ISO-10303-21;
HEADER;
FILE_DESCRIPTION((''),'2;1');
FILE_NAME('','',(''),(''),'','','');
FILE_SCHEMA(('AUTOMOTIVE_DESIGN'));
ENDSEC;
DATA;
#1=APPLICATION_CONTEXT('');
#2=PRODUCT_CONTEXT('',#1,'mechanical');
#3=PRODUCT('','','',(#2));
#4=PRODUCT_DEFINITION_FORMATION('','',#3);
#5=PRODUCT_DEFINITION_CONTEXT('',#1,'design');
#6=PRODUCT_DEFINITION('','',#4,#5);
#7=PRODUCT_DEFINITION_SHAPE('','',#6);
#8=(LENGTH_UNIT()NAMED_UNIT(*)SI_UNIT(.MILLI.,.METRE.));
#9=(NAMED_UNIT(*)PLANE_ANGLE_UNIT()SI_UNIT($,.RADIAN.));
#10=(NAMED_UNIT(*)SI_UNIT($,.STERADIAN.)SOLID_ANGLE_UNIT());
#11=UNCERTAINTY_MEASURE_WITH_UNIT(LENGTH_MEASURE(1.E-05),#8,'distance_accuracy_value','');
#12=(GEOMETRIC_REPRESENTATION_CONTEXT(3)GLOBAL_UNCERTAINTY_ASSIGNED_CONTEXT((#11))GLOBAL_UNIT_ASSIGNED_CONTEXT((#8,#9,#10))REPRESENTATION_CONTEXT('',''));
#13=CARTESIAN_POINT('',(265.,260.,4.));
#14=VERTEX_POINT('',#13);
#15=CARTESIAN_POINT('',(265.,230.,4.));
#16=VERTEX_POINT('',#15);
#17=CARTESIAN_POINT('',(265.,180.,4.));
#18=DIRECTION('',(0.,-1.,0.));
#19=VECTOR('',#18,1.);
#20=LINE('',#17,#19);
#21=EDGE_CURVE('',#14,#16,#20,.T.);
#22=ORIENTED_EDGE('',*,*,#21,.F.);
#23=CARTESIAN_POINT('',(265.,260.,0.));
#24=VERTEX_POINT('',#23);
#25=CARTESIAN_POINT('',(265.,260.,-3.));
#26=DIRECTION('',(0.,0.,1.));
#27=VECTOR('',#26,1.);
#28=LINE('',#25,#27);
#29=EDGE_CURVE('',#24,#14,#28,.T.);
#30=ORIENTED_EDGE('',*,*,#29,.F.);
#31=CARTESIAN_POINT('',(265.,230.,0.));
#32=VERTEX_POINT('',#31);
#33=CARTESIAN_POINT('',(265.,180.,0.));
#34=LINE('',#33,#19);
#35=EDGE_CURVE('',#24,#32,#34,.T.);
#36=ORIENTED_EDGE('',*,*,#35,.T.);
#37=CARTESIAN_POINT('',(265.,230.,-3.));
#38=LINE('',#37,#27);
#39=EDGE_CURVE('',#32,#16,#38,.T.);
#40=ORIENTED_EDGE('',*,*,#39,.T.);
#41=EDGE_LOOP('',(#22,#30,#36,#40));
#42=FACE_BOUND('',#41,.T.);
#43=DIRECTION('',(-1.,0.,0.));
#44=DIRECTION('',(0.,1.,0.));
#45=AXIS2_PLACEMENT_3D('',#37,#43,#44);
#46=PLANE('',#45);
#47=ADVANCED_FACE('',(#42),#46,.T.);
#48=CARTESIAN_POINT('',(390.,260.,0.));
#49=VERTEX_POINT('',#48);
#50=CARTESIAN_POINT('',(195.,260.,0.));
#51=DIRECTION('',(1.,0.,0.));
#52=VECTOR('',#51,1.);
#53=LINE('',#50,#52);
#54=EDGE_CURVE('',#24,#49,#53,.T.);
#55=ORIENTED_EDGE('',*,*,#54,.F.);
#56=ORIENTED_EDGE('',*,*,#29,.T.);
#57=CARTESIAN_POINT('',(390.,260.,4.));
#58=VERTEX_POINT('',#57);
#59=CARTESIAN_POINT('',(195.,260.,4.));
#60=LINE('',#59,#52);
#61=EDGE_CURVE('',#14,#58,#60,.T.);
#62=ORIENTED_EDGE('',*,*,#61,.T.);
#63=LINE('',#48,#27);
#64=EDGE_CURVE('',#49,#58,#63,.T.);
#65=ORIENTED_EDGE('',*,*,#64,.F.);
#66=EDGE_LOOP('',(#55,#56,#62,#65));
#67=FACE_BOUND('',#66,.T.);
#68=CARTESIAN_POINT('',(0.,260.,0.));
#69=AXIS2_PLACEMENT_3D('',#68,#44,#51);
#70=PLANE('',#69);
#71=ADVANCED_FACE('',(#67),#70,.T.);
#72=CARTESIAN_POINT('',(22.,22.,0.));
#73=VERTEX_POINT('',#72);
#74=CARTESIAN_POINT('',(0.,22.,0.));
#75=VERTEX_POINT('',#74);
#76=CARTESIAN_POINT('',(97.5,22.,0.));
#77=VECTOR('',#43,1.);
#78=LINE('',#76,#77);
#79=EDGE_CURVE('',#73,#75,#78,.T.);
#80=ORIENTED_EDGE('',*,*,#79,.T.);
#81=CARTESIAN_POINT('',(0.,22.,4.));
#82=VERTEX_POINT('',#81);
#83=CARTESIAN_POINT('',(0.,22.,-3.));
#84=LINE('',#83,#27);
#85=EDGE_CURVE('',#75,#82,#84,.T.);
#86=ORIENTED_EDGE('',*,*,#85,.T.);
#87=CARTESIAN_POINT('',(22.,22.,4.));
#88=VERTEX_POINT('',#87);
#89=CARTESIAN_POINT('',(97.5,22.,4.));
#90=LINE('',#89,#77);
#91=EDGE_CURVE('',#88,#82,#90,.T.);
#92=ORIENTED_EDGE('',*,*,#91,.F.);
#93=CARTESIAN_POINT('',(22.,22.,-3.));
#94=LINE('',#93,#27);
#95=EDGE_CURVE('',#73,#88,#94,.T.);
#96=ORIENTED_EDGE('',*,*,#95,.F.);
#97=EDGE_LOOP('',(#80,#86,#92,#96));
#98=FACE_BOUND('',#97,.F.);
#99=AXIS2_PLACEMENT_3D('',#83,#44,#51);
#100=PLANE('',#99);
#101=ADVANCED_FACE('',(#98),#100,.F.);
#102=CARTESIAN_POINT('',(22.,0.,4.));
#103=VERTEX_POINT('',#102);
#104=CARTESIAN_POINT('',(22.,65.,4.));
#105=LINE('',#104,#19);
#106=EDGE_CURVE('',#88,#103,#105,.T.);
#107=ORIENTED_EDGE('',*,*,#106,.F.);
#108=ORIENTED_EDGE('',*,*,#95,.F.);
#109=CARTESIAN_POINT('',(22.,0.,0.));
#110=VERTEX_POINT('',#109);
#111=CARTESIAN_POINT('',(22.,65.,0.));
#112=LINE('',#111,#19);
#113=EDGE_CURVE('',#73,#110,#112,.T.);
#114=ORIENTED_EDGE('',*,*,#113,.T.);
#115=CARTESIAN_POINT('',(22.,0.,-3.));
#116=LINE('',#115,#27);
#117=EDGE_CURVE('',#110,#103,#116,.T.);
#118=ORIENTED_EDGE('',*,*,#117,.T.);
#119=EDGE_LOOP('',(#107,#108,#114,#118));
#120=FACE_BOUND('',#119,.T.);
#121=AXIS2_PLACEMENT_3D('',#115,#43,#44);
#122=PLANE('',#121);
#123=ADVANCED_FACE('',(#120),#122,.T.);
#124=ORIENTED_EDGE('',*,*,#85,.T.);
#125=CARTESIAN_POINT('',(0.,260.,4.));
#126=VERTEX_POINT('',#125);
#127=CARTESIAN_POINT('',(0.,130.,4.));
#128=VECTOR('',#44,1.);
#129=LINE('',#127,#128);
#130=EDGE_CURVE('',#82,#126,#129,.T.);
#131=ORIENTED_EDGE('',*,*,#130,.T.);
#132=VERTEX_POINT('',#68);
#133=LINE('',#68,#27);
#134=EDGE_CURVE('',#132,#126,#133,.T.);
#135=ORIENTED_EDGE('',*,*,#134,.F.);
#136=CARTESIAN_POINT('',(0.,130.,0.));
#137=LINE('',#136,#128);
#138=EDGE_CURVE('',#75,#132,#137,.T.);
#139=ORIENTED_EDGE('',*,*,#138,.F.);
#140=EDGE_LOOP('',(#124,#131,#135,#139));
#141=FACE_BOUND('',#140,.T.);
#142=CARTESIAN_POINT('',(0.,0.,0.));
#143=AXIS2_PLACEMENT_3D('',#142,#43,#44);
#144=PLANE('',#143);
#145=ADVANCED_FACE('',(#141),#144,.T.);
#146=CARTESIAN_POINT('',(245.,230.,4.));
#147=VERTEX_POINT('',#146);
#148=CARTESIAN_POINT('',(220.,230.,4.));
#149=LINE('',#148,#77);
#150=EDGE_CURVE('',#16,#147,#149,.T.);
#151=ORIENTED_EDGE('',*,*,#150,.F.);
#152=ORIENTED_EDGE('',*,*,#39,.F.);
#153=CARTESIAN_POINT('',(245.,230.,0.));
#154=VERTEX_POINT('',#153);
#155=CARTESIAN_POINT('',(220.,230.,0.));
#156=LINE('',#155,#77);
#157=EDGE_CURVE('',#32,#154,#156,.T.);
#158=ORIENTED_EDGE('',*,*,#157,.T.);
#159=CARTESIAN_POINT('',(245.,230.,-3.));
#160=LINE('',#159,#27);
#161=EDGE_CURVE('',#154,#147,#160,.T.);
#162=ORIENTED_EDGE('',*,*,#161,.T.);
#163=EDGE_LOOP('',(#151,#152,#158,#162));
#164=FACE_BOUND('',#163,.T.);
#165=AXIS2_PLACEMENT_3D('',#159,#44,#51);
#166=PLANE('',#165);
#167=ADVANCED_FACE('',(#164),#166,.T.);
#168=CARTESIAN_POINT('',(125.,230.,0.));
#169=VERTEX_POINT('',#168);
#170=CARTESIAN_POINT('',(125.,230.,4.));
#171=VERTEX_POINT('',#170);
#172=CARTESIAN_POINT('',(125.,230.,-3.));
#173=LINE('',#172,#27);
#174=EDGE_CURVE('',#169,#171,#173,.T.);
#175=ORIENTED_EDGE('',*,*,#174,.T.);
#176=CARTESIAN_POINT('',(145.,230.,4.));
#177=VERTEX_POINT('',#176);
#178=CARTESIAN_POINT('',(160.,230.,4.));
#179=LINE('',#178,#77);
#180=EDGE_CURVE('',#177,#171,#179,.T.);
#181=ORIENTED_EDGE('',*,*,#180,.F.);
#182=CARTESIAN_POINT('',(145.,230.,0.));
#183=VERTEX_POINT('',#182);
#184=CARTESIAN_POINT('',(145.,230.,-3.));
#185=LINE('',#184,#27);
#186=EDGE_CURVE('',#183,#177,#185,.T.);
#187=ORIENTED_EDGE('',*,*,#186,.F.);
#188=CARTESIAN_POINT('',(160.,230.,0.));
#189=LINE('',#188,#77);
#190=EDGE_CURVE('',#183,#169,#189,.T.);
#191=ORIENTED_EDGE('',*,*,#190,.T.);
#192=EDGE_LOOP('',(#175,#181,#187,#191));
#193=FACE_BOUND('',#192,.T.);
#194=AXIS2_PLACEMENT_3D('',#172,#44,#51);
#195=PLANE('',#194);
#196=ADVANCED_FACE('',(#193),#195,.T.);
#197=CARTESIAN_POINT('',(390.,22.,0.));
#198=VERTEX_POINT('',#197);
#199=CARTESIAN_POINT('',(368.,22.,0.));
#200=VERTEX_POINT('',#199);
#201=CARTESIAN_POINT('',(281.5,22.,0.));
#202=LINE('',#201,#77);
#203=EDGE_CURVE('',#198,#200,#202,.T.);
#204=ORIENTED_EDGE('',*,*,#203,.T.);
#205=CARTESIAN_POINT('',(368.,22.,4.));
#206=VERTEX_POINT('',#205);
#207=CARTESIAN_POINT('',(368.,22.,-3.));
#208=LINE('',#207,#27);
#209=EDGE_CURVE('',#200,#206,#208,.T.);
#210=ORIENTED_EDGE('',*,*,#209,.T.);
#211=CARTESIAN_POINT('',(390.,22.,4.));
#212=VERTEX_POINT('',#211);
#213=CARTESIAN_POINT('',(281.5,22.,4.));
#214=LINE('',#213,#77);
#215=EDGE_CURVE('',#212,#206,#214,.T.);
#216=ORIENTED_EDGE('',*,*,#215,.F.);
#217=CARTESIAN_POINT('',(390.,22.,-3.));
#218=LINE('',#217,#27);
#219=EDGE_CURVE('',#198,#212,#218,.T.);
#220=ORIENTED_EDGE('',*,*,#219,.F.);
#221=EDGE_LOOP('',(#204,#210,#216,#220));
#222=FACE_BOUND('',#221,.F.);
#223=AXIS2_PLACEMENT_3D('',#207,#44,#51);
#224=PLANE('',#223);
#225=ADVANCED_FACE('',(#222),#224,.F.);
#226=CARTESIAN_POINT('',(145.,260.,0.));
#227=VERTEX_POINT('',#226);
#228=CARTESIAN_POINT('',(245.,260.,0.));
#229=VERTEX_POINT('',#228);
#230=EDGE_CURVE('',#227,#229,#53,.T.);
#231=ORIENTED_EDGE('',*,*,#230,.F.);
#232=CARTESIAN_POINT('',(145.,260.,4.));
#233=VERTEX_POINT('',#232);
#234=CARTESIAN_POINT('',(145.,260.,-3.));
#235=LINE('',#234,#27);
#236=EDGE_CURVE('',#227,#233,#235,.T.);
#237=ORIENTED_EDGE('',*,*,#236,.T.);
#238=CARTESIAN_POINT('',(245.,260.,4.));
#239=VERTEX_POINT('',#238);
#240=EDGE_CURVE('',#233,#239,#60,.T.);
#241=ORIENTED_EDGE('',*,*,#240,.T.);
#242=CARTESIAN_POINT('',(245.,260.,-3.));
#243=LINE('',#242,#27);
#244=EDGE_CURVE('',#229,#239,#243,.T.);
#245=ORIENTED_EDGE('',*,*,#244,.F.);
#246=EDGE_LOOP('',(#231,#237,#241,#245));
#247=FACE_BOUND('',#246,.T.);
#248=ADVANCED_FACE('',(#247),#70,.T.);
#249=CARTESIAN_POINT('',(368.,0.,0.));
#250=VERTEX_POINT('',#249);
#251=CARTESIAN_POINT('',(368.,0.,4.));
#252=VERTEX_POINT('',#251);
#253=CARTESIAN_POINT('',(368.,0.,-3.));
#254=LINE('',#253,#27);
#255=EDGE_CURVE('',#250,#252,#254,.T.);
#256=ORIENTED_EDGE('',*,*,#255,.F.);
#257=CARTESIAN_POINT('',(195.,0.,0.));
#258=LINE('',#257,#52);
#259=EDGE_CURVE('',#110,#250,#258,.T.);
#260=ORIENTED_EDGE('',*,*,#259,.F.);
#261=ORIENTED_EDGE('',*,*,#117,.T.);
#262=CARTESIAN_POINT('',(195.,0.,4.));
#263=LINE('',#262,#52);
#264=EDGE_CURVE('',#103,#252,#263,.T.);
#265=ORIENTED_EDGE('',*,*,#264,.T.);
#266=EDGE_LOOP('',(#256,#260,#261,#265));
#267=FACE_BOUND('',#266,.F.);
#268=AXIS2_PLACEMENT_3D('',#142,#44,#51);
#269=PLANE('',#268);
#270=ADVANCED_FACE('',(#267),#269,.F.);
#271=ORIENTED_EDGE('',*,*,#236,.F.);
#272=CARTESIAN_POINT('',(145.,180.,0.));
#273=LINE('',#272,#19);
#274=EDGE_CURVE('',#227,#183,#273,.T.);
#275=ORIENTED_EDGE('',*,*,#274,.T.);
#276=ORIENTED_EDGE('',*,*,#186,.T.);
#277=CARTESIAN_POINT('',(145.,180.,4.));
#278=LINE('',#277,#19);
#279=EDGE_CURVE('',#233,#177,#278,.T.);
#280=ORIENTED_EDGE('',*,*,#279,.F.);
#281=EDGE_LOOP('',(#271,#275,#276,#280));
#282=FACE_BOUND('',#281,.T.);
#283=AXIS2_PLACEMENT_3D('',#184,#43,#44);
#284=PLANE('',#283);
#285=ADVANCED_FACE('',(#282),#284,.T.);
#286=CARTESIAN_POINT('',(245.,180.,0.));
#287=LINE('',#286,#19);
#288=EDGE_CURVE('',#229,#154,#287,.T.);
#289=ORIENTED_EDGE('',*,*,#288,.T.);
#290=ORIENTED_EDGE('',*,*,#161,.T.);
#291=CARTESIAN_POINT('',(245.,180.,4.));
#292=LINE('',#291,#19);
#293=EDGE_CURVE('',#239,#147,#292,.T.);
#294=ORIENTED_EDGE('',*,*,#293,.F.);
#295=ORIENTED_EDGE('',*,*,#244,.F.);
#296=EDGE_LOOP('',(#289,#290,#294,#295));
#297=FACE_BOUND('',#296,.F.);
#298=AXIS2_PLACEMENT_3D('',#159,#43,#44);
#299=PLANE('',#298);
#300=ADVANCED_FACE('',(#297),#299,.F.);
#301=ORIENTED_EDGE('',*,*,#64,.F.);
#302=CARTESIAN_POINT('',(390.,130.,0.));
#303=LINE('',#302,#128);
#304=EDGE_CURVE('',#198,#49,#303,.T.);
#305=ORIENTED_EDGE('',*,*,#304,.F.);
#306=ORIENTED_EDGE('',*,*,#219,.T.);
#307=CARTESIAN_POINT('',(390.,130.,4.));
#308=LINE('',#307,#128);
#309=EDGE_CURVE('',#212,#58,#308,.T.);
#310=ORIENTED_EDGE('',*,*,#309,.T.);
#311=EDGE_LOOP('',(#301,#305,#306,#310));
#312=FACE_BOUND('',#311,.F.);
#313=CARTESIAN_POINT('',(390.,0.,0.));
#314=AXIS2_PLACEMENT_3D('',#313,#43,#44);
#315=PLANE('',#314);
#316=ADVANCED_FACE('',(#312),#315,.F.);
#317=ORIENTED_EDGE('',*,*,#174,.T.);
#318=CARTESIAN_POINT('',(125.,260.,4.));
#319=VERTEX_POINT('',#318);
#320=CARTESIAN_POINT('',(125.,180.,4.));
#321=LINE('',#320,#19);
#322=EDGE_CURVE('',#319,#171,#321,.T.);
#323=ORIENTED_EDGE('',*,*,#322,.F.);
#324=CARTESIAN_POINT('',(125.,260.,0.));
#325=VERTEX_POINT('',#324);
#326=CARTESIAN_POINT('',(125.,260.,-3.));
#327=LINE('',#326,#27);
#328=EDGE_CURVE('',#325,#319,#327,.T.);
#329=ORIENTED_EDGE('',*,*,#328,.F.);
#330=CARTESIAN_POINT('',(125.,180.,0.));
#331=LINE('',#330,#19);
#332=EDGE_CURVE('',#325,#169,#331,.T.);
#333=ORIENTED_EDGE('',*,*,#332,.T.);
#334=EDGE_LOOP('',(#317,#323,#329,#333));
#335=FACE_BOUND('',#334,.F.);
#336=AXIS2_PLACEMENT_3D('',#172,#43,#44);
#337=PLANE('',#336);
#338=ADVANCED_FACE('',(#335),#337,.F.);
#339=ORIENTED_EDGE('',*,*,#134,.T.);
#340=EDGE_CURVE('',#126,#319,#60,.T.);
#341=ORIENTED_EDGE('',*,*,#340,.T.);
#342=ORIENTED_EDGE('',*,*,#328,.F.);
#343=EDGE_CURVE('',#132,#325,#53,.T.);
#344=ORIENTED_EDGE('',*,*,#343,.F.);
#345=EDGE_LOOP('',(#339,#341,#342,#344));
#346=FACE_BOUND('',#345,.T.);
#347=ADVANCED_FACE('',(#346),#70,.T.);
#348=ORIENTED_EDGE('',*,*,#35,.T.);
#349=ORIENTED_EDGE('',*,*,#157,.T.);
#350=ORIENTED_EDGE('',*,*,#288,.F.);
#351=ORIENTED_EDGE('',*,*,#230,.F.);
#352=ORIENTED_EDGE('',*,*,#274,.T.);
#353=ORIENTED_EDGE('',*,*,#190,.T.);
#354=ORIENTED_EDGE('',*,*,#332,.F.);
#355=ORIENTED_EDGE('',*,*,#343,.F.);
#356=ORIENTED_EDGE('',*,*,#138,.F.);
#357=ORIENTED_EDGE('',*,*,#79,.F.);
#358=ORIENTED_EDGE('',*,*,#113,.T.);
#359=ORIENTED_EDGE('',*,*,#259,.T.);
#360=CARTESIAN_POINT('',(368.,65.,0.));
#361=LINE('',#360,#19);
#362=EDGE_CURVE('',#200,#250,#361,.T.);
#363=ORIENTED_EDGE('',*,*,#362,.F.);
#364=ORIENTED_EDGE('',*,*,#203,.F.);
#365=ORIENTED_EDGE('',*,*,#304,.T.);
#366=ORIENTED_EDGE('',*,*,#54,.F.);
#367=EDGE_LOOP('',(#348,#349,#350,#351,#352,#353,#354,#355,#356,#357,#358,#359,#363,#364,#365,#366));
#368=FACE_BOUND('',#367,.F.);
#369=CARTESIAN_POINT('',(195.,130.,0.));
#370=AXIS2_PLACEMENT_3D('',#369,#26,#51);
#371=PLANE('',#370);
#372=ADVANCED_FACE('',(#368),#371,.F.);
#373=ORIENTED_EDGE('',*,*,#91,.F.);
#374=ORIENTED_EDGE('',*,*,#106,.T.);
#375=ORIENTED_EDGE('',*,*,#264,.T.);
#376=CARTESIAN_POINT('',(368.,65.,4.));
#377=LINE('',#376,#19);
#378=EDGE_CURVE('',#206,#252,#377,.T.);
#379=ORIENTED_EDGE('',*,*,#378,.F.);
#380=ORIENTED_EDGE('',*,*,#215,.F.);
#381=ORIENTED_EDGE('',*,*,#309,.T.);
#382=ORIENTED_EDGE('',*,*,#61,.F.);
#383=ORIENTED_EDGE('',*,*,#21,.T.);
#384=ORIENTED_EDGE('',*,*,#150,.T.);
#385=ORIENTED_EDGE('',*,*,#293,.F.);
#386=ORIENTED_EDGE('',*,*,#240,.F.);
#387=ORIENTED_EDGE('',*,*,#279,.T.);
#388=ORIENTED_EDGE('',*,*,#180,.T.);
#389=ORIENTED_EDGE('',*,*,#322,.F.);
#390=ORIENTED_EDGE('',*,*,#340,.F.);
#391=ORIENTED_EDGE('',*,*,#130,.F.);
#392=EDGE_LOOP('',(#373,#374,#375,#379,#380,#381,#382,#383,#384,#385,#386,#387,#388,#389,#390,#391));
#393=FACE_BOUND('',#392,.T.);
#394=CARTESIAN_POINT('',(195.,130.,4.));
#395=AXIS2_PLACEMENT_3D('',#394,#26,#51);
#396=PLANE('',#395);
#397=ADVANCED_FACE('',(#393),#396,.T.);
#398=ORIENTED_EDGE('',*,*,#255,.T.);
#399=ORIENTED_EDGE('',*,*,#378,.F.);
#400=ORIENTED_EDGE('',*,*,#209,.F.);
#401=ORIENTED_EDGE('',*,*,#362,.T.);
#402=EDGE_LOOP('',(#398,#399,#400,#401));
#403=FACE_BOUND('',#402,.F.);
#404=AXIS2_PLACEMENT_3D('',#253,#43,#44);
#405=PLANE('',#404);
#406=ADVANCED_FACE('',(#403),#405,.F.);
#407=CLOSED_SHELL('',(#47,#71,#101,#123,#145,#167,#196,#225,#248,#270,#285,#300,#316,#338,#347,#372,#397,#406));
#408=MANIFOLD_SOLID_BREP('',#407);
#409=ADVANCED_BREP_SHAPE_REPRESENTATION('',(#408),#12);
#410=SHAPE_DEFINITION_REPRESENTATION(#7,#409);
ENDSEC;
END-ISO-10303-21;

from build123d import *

# Parameters (mm, degrees)
BOX004_W     = 20
BOX004_H     = 30
BOX004_DEPTH = 10
BOX003_W     = 20
BOX003_H     = 30
BOX003_DEPTH = 10
BOX002_W     = 22
BOX002_H     = 22
BOX002_DEPTH = 10
BOX001_W     = 22
BOX001_H     = 22
BOX001_DEPTH = 10
BOX_W        = 390
BOX_H        = 260
BOX_DEPTH    = 4


with BuildPart() as corte_rail_der:
    # Box004 → Box004 (new body)
    with BuildSketch(Plane(origin=(245, 230, -3), x_dir=(1, 0, 0), z_dir=(0, 0, 1))):
        with Locations((10, 15)):
            Rectangle(BOX004_W, BOX004_H)
    extrude(amount=BOX004_DEPTH)


with BuildPart() as corte_rail_izq:
    # Box003 → Box003 (new body)
    with BuildSketch(Plane(origin=(125, 230, -3), x_dir=(1, 0, 0), z_dir=(0, 0, 1))):
        with Locations((10, 15)):
            Rectangle(BOX003_W, BOX003_H)
    extrude(amount=BOX003_DEPTH)


with BuildPart() as corte_der:
    # Box002 → Box002 (new body)
    with BuildSketch(Plane(origin=(368, 0, -3), x_dir=(1, 0, 0), z_dir=(0, 0, 1))):
        with Locations((11, 11)):
            Rectangle(BOX002_W, BOX002_H)
    extrude(amount=BOX002_DEPTH)


with BuildPart() as corte_izq:
    # Box001 → Box001 (new body)
    with BuildSketch(Plane.XY.offset(-3)):
        with Locations((11, 11)):
            Rectangle(BOX001_W, BOX001_H)
    extrude(amount=BOX001_DEPTH)


with BuildPart() as soporte_cubeta:
    # Box → Box (new body)
    with BuildSketch(Plane.XY):
        with Locations((195, 130)):
            Rectangle(BOX_W, BOX_H)
    extrude(amount=BOX_DEPTH)

    # Cut: cut corte_izq
    add(corte_izq.part, mode=Mode.SUBTRACT)

    # Cut001: cut corte_der
    add(corte_der.part, mode=Mode.SUBTRACT)

    # Cut002: cut corte_rail_izq
    add(corte_rail_izq.part, mode=Mode.SUBTRACT)

    # Cut003: cut corte_rail_der
    add(corte_rail_der.part, mode=Mode.SUBTRACT)


solid = soporte_cubeta.part
